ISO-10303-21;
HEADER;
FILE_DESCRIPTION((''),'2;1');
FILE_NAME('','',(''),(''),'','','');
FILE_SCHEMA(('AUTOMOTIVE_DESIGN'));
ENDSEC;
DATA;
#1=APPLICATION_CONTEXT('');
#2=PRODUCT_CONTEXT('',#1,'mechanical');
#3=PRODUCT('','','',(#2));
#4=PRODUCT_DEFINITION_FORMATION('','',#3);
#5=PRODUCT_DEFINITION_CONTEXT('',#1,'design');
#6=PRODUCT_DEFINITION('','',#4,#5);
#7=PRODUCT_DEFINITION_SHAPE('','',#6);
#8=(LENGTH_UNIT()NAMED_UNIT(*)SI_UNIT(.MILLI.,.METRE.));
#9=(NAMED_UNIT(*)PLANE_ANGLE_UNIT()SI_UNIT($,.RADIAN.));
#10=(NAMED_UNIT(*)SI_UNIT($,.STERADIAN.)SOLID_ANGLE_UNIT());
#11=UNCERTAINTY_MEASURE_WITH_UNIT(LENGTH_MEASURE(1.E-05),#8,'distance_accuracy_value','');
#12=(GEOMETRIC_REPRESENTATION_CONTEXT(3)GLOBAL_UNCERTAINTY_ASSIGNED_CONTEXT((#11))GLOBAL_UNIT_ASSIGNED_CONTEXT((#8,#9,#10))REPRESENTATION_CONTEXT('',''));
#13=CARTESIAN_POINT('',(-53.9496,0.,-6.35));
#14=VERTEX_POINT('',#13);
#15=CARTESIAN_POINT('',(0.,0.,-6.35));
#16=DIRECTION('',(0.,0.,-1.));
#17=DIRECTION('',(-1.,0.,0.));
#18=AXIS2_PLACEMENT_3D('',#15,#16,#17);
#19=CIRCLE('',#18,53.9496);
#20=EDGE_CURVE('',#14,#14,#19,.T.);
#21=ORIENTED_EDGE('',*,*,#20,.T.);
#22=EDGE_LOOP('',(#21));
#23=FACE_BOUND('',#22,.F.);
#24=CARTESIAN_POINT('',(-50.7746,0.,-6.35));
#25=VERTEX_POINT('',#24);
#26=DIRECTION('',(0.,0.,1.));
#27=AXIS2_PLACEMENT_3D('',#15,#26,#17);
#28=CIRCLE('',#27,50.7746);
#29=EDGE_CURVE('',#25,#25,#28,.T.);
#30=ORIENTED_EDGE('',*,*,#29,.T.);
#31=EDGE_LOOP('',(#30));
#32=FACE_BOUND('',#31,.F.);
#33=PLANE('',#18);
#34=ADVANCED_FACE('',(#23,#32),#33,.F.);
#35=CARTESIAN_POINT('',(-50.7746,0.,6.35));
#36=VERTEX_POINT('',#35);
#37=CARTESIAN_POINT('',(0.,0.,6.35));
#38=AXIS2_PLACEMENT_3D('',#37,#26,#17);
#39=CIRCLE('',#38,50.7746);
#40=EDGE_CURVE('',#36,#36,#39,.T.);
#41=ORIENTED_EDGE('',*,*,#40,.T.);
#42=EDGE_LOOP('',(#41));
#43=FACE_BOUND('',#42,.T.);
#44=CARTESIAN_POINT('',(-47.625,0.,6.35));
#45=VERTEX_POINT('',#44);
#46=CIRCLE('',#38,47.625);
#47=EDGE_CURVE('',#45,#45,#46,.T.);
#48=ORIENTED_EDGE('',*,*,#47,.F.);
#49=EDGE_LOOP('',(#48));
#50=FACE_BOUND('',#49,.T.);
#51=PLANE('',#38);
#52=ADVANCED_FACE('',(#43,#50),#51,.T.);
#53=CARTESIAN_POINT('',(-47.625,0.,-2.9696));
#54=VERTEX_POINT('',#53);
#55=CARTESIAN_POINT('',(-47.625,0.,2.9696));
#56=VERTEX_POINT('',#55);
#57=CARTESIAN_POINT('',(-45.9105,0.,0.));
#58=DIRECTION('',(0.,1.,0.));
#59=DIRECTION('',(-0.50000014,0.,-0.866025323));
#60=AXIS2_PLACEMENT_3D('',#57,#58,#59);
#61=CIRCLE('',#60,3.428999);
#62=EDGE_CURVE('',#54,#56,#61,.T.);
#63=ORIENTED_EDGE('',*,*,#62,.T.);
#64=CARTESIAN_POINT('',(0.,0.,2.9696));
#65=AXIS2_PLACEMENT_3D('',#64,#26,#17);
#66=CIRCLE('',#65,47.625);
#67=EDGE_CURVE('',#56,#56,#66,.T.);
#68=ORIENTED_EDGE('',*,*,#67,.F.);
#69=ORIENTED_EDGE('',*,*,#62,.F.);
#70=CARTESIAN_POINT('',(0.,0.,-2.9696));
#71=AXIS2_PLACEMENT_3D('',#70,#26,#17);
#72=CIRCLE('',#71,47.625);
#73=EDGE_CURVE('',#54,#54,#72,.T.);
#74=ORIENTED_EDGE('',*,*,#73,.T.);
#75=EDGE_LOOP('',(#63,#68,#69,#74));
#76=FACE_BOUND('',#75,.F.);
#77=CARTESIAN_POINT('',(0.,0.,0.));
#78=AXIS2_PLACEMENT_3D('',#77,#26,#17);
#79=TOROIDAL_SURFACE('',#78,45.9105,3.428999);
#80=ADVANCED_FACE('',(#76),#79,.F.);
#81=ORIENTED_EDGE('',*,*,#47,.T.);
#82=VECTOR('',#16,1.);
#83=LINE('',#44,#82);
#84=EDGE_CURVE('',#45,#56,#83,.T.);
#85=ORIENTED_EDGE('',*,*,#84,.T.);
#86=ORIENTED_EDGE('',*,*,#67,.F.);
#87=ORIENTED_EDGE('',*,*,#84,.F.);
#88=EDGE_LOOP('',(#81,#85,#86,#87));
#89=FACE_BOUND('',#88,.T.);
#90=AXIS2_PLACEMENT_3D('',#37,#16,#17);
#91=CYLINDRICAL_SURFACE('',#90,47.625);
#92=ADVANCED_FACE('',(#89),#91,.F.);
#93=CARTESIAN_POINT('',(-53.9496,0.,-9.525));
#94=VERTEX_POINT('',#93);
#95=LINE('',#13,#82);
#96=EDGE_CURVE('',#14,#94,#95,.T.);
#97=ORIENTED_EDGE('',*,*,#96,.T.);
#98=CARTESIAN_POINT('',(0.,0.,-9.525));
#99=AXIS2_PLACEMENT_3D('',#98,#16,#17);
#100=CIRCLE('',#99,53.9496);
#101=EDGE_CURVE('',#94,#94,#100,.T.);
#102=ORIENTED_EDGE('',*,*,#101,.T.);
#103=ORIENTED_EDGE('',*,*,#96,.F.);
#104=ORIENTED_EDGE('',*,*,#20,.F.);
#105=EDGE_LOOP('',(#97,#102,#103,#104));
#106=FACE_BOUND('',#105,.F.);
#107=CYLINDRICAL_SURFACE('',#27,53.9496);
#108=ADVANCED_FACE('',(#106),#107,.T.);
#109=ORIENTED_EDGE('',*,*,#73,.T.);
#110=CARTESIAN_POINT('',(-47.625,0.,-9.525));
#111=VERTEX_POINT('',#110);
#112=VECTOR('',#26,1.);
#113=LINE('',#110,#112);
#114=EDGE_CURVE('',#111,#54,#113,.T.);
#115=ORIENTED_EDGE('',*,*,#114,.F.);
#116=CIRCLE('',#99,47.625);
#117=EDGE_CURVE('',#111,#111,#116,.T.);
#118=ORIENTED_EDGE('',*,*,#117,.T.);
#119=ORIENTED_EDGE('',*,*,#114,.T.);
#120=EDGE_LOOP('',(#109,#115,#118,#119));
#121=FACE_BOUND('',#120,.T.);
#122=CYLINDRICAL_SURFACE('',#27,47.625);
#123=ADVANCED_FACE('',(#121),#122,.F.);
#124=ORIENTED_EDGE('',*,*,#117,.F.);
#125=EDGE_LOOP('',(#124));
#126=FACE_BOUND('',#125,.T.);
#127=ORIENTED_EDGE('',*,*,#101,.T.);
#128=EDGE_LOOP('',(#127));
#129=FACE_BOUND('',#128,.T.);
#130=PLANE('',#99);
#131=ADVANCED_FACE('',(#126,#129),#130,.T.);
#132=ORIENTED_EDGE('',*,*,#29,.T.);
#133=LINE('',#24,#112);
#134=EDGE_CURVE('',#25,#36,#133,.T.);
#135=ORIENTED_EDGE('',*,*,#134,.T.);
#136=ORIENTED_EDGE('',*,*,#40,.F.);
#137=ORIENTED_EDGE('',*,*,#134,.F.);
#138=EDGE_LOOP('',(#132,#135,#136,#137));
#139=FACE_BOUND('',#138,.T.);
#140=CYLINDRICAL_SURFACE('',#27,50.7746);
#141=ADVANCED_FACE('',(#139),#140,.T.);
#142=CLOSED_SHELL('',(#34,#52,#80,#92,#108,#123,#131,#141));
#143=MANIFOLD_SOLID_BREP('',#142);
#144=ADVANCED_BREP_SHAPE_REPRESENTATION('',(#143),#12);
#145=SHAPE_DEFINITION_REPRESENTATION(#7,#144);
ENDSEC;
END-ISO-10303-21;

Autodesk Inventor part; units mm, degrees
ref_plane "YZ Plane" through (0, 0, 0) normal (1, 0, 0) x (0, 1, 0)
ref_plane "XZ Plane" through (0, 0, 0) normal (0, 1, 0) x (-1, 0, 0)
ref_plane "XY Plane" through (0, 0, 0) normal (0, 0, 1) x (1, 0, 0)
sketch "Sketch1" plane through (0, 0, 0) normal (0, 1, 0) x (-1, 0, 0)
  line L0 (50.7746, 6.35) -> (47.625, 6.35)
  line L1 (47.625, 6.35) -> (47.625, -6.35)
  line L2 (47.625, -6.35) -> (50.7746, -6.35)
  line L3 (50.7746, -6.35) -> (50.7746, 6.35)
  arc A0 (47.625, -2.9696) -> (47.625, 2.9696) centre (45.9105, 0) ccw
  line L4 (0, -8.89) -> (0, 8.89) projected
  point P0 (0, 0)
  point P1 (50.7746, 0)
  dimension "d1" = 47.625
  dimension "d2" = 3.1496
  dimension "d3" = 6.35
  dimension "d4" = 6.35
  dimension "d5" = 1.7145
  dimension "d6" = 3.429
revolve "Revolution1" add sketch "Sketch1" angle 360 about axis through (0, 0, -10) along (0, 0, 1) contours L3 L2 L1 A0 L0
sketch "Sketch2" plane through (0, 0, -6.35) normal (0, 0, -1) x (-1, 0, 0)
  circle A0 centre (0, 0) radius 50.7746 projected
  circle A1 centre (0, 0) radius 47.625 projected
  circle A2 centre (0, 0) radius 53.9496
  dimension "d8" = 3.175
extrude "Extrusion1" add sketch "Sketch2" along normal blind 3.175 contours A0 | A2
properties part number "outer ring"
